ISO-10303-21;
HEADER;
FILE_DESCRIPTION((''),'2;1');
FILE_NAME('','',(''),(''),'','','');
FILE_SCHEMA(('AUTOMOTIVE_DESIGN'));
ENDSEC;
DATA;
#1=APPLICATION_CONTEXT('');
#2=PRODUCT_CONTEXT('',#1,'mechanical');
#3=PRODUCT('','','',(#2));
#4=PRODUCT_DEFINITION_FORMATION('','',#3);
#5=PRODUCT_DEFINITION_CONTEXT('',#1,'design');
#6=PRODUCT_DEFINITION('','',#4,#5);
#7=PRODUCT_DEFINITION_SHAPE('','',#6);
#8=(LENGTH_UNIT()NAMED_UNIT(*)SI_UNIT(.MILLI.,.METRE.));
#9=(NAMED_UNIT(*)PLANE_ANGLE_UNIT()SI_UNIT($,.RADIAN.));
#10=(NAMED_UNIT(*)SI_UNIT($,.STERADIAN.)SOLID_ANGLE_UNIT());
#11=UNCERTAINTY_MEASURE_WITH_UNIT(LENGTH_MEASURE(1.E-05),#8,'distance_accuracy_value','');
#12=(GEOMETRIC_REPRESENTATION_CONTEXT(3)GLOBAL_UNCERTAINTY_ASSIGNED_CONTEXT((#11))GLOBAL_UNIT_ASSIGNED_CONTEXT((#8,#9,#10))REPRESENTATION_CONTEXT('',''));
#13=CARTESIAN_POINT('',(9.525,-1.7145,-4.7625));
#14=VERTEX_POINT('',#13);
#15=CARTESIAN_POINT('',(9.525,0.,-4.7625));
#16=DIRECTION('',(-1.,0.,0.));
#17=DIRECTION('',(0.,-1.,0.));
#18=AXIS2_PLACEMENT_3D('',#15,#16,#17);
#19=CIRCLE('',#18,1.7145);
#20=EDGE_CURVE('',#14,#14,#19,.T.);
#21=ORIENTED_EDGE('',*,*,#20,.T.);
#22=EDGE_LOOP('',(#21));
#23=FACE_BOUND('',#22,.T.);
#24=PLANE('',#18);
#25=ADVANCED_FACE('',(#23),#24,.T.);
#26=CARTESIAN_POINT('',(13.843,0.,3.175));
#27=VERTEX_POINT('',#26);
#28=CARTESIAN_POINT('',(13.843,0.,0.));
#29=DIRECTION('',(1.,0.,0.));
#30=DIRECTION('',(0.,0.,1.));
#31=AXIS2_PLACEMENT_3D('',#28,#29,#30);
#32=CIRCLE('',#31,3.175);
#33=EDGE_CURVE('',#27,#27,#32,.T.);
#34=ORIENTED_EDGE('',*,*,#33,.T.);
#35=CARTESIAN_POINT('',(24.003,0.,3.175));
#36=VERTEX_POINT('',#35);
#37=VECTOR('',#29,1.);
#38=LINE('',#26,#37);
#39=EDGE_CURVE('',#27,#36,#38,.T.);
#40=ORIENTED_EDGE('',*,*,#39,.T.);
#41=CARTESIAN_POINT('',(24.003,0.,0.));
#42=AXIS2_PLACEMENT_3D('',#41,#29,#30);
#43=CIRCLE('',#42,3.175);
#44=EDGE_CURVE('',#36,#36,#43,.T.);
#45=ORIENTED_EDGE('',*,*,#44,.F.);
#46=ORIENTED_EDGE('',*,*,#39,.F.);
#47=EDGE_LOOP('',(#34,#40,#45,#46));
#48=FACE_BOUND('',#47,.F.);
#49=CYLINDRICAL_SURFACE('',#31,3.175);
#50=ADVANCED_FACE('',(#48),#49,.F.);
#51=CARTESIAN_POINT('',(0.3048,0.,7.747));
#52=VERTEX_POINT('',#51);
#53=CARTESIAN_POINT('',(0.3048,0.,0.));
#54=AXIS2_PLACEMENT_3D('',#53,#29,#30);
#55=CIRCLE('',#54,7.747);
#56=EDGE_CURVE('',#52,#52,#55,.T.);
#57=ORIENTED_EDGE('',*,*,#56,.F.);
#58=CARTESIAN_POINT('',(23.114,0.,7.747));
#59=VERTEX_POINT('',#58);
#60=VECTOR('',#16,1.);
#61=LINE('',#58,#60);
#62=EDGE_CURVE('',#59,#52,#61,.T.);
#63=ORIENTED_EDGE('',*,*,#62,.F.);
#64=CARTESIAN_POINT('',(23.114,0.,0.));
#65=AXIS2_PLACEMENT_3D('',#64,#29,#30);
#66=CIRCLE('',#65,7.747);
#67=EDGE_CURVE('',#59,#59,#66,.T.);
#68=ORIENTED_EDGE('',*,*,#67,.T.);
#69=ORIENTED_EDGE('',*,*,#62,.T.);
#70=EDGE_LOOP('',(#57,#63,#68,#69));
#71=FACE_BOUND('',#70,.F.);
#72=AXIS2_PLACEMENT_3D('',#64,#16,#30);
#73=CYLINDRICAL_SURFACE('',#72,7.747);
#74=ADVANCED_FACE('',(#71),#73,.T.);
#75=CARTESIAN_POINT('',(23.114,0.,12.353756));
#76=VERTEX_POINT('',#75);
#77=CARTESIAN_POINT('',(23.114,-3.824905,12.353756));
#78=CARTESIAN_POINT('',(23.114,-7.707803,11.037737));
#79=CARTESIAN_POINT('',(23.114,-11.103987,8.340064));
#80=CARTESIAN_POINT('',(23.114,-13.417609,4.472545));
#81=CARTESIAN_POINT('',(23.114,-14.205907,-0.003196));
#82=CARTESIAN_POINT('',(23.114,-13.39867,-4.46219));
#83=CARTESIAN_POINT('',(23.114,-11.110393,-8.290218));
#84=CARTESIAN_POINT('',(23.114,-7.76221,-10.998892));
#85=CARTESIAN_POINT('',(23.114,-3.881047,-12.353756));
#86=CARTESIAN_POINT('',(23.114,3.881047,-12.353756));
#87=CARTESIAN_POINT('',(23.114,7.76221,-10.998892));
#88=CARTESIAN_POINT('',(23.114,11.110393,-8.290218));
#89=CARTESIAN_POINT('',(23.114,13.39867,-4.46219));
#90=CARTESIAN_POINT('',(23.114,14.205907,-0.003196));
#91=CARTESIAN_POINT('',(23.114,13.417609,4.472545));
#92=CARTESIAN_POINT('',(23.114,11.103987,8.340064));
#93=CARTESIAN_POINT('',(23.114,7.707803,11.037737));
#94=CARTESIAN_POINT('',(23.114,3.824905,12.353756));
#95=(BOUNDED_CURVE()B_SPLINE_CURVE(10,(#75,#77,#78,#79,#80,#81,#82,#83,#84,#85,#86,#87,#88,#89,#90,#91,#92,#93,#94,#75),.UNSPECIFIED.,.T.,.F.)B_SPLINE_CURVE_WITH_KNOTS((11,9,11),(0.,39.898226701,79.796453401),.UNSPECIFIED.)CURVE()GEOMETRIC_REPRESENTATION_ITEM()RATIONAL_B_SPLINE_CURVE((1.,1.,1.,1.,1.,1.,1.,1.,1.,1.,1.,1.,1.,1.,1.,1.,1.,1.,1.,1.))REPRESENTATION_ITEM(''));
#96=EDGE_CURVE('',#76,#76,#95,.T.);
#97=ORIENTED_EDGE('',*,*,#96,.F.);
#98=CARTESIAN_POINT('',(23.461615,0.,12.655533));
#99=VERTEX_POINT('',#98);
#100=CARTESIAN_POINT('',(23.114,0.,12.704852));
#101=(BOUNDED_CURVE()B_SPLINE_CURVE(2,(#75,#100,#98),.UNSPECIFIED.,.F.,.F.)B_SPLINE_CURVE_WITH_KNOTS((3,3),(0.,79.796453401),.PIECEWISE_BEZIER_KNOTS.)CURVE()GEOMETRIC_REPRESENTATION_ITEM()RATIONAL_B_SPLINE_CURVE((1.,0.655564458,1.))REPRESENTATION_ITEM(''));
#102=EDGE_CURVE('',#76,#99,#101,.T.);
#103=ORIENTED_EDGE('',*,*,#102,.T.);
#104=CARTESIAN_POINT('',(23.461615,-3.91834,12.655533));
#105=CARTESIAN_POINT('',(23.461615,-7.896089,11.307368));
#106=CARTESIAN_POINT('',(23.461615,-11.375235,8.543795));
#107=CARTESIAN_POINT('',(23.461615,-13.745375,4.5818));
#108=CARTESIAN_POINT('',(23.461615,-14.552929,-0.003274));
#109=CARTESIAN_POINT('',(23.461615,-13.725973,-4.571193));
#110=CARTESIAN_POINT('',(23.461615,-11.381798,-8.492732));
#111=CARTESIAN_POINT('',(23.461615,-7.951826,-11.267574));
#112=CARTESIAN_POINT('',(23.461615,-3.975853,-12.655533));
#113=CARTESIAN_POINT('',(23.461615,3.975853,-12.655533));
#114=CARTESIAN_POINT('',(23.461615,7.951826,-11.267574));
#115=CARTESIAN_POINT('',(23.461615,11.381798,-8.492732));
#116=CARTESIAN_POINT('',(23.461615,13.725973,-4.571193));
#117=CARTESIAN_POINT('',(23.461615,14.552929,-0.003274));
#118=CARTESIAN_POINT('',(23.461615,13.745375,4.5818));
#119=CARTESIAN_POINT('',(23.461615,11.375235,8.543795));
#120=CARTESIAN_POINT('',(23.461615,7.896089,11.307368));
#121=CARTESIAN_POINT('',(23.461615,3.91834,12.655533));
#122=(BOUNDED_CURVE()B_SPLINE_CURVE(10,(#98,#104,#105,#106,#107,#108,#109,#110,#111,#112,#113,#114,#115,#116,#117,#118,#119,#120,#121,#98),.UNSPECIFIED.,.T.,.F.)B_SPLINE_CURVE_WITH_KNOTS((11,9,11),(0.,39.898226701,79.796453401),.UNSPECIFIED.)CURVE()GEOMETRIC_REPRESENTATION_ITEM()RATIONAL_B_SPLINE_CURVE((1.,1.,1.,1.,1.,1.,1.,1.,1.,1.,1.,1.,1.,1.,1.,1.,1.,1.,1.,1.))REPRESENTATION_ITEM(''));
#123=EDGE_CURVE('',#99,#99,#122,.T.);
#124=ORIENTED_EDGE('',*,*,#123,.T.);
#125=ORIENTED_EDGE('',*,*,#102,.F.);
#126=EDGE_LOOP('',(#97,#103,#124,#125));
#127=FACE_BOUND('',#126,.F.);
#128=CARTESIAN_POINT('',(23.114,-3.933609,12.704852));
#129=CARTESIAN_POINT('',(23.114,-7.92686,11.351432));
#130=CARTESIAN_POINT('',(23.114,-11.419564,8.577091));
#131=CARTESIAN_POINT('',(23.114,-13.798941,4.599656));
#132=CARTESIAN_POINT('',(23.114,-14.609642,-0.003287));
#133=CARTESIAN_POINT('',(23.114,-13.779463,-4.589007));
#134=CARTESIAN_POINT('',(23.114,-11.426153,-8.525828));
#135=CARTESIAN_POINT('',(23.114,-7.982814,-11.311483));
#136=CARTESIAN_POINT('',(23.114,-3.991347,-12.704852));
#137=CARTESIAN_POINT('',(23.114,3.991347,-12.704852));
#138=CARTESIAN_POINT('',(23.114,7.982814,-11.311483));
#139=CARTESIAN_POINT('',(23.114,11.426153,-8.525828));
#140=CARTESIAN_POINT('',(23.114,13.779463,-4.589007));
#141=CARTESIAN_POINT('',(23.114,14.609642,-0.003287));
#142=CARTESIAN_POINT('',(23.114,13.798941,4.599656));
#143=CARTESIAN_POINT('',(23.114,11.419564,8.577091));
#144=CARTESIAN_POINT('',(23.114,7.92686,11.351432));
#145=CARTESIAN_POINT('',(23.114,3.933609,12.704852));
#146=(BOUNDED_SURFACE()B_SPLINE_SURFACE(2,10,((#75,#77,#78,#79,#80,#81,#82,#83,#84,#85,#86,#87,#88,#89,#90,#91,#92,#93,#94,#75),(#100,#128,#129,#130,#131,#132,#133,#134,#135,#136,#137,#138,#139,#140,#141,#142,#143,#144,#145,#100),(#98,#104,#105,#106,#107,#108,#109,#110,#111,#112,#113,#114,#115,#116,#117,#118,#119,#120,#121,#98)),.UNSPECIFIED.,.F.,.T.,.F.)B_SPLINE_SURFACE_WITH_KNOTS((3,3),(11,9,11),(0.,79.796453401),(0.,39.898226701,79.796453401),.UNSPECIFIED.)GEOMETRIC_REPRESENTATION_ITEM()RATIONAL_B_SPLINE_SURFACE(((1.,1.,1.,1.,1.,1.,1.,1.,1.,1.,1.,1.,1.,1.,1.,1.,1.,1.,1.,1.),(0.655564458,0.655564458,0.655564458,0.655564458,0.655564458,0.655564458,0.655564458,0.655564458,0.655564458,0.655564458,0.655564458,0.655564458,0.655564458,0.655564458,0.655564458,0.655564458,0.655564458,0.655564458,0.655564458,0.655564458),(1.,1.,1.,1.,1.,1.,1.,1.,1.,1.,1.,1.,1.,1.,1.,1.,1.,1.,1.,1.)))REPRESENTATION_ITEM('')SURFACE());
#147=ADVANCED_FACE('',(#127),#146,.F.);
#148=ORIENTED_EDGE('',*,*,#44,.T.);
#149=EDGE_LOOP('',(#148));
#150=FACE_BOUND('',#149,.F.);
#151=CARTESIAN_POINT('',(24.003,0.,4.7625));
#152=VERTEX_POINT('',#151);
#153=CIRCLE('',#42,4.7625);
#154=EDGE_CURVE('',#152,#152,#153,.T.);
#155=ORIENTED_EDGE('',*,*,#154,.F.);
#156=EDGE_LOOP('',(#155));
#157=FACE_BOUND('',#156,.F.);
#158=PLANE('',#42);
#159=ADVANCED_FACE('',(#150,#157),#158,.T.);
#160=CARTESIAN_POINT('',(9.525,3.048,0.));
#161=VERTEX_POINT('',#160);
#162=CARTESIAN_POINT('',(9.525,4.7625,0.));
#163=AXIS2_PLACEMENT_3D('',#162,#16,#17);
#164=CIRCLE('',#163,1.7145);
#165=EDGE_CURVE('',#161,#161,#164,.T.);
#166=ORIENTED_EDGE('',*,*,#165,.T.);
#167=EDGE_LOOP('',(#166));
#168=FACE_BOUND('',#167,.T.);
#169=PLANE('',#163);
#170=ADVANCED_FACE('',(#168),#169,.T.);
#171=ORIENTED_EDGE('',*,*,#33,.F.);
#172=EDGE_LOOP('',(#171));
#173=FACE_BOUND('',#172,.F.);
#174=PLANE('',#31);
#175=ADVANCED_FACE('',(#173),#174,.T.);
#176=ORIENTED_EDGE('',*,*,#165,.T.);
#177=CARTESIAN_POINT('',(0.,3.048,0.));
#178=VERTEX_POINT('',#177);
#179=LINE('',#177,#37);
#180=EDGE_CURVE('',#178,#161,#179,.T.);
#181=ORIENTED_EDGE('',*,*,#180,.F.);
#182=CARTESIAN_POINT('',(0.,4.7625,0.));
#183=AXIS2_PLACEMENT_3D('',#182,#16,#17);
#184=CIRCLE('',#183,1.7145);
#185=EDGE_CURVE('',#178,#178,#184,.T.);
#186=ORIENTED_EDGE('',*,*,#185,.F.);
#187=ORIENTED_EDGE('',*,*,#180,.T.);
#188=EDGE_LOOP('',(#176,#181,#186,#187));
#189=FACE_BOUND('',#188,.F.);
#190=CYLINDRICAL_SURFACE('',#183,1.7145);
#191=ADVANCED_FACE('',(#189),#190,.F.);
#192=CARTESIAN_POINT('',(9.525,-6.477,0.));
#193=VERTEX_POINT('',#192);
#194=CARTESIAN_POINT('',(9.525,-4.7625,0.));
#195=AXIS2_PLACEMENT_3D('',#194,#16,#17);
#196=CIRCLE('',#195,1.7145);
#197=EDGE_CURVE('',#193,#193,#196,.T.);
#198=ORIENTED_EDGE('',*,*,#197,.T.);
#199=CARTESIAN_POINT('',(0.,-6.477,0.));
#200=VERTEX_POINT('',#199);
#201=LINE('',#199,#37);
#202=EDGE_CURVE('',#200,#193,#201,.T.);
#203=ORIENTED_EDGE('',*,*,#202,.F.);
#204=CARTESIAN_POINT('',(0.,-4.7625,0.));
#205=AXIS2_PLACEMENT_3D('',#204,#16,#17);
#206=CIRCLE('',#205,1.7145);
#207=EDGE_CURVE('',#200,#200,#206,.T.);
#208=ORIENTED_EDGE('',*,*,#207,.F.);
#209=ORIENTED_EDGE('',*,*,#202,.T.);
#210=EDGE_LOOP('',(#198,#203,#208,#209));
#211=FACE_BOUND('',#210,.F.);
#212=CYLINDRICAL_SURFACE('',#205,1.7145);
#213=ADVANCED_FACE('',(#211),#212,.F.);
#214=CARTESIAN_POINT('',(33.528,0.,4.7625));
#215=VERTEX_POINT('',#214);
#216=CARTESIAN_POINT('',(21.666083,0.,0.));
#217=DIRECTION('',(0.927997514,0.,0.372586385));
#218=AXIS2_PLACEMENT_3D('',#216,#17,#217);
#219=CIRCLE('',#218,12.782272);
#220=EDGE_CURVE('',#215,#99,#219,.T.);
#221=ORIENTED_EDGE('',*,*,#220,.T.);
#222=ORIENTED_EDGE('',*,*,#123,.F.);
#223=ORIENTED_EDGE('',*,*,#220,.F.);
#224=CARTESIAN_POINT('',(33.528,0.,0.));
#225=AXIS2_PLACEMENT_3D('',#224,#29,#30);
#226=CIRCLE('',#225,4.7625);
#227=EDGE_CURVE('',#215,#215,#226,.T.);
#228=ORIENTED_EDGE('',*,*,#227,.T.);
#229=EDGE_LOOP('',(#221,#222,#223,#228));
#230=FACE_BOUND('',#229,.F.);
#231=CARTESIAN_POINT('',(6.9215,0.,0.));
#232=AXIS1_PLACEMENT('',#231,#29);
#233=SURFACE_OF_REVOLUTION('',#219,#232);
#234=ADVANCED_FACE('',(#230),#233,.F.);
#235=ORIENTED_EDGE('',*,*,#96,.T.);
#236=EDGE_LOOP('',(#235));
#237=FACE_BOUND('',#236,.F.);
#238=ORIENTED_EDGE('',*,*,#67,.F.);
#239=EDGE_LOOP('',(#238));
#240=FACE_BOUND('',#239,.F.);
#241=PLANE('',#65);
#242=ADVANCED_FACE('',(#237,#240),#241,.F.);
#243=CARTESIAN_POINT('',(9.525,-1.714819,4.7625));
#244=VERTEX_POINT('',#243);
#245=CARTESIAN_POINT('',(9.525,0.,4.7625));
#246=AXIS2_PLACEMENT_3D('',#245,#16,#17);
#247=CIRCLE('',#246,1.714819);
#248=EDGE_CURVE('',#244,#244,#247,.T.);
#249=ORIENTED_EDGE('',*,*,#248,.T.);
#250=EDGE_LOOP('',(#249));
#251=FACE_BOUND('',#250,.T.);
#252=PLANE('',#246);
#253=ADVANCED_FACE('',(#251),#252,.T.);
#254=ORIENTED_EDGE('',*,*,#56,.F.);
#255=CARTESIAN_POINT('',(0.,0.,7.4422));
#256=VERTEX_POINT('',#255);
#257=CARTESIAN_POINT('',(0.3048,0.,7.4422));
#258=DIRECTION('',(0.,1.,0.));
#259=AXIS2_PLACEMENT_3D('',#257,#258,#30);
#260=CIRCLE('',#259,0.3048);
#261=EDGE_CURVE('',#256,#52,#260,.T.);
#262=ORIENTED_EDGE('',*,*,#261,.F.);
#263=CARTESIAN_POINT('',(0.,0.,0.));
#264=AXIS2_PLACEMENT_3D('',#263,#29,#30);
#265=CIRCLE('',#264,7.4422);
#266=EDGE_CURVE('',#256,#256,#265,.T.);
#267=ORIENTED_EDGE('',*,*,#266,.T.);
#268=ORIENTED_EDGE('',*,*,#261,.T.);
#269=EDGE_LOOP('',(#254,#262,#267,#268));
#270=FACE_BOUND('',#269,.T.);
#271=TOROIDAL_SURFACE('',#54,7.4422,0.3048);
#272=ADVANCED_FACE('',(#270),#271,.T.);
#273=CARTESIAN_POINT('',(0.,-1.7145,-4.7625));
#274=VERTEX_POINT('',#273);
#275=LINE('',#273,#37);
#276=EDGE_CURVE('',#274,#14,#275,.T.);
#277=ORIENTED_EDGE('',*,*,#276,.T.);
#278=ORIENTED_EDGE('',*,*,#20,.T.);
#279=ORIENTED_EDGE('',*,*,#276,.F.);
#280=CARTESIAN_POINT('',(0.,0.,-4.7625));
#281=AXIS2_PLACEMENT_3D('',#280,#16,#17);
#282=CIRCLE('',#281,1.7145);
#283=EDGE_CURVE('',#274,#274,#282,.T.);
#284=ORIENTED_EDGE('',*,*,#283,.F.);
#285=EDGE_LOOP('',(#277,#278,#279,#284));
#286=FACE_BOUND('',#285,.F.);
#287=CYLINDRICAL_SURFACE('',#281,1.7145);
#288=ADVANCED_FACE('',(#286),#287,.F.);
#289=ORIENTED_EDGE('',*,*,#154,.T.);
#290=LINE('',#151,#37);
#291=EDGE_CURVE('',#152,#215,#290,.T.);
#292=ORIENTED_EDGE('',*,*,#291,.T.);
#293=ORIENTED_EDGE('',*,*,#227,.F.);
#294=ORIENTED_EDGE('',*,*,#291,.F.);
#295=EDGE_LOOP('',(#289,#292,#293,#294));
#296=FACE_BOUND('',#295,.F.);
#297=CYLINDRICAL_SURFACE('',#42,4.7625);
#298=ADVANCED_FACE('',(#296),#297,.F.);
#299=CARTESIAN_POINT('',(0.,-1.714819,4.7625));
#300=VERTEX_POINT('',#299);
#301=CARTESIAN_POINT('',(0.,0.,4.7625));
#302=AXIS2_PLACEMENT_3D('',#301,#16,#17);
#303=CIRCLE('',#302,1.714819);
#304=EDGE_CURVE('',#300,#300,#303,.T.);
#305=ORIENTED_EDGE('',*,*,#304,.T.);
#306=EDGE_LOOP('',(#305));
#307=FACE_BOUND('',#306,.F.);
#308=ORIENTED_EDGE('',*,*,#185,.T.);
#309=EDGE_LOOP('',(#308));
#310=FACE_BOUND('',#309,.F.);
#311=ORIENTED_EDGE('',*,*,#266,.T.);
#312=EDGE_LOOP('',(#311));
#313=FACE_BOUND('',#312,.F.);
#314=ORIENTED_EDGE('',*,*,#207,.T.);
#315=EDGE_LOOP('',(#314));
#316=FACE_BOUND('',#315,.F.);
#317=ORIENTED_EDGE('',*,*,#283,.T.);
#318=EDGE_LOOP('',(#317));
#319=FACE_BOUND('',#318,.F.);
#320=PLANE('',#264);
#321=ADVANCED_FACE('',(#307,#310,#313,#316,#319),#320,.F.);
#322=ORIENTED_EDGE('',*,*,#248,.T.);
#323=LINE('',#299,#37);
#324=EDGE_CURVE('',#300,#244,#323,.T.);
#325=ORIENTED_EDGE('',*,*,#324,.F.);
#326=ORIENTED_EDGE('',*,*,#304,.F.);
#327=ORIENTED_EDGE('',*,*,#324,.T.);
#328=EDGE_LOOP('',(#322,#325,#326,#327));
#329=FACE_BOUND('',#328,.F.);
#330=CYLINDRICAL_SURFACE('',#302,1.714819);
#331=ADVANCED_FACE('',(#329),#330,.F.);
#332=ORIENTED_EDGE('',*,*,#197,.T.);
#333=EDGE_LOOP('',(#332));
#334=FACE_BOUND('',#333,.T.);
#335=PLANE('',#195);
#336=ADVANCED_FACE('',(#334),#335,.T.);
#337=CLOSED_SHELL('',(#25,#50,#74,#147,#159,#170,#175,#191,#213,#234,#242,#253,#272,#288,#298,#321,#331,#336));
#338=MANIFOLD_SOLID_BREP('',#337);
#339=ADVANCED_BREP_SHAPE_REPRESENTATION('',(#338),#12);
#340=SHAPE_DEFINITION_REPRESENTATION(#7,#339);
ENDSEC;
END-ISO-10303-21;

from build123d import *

# Parameters (mm, degrees)
F2_R     = 1.714819
F2_R_2   = 1.7145
F3_DEPTH = 9.525
F4_R     = 0.3048


with BuildPart() as f1:
    # F0 (on Front) → F1 (revolve)
    with BuildSketch(Plane.XZ):
        with BuildLine():
            Line((0, 7.747), (0, 0))
            Line((0, 0), (13.843, 0))
            Line((13.843, 0), (13.843, 3.175))
            Line((13.843, 3.175), (24.003, 3.175))
            Line((24.003, 3.175), (24.003, 4.7625))
            Line((24.003, 4.7625), (33.528, 4.7625))
            ThreePointArc((33.528, 4.7625), (29.41456, 10.166001), (23.114, 12.7))
            Line((23.114, 12.7), (23.114, 7.747))
            Line((23.114, 7.747), (0, 7.747))
        make_face()
    revolve(axis=Axis((6.9215, 0, 0), (1, 0, 0)))

    # F2 (on face) → F3 (cut)
    with BuildSketch(Plane(origin=(0, 0, 0), x_dir=(0, -1, 0), z_dir=(-1, 0, 0))):
        with Locations((0, 4.7625)):
            Circle(F2_R)
        with Locations((4.7625, 0)):
            Circle(F2_R_2)
        with Locations((0, -4.7625)):
            Circle(F2_R_2)
        with Locations((-4.7625, 0)):
            Circle(F2_R_2)
    extrude(amount=-F3_DEPTH, mode=Mode.SUBTRACT)

    # F4
    f4_edges = [f1.edges().sort_by_distance(p)[0] for p in [
        (0, 0, -7.747),
        (23.114, 0, -12.7),
    ]]
    fillet(f4_edges, radius=F4_R)


solid = f1.part
